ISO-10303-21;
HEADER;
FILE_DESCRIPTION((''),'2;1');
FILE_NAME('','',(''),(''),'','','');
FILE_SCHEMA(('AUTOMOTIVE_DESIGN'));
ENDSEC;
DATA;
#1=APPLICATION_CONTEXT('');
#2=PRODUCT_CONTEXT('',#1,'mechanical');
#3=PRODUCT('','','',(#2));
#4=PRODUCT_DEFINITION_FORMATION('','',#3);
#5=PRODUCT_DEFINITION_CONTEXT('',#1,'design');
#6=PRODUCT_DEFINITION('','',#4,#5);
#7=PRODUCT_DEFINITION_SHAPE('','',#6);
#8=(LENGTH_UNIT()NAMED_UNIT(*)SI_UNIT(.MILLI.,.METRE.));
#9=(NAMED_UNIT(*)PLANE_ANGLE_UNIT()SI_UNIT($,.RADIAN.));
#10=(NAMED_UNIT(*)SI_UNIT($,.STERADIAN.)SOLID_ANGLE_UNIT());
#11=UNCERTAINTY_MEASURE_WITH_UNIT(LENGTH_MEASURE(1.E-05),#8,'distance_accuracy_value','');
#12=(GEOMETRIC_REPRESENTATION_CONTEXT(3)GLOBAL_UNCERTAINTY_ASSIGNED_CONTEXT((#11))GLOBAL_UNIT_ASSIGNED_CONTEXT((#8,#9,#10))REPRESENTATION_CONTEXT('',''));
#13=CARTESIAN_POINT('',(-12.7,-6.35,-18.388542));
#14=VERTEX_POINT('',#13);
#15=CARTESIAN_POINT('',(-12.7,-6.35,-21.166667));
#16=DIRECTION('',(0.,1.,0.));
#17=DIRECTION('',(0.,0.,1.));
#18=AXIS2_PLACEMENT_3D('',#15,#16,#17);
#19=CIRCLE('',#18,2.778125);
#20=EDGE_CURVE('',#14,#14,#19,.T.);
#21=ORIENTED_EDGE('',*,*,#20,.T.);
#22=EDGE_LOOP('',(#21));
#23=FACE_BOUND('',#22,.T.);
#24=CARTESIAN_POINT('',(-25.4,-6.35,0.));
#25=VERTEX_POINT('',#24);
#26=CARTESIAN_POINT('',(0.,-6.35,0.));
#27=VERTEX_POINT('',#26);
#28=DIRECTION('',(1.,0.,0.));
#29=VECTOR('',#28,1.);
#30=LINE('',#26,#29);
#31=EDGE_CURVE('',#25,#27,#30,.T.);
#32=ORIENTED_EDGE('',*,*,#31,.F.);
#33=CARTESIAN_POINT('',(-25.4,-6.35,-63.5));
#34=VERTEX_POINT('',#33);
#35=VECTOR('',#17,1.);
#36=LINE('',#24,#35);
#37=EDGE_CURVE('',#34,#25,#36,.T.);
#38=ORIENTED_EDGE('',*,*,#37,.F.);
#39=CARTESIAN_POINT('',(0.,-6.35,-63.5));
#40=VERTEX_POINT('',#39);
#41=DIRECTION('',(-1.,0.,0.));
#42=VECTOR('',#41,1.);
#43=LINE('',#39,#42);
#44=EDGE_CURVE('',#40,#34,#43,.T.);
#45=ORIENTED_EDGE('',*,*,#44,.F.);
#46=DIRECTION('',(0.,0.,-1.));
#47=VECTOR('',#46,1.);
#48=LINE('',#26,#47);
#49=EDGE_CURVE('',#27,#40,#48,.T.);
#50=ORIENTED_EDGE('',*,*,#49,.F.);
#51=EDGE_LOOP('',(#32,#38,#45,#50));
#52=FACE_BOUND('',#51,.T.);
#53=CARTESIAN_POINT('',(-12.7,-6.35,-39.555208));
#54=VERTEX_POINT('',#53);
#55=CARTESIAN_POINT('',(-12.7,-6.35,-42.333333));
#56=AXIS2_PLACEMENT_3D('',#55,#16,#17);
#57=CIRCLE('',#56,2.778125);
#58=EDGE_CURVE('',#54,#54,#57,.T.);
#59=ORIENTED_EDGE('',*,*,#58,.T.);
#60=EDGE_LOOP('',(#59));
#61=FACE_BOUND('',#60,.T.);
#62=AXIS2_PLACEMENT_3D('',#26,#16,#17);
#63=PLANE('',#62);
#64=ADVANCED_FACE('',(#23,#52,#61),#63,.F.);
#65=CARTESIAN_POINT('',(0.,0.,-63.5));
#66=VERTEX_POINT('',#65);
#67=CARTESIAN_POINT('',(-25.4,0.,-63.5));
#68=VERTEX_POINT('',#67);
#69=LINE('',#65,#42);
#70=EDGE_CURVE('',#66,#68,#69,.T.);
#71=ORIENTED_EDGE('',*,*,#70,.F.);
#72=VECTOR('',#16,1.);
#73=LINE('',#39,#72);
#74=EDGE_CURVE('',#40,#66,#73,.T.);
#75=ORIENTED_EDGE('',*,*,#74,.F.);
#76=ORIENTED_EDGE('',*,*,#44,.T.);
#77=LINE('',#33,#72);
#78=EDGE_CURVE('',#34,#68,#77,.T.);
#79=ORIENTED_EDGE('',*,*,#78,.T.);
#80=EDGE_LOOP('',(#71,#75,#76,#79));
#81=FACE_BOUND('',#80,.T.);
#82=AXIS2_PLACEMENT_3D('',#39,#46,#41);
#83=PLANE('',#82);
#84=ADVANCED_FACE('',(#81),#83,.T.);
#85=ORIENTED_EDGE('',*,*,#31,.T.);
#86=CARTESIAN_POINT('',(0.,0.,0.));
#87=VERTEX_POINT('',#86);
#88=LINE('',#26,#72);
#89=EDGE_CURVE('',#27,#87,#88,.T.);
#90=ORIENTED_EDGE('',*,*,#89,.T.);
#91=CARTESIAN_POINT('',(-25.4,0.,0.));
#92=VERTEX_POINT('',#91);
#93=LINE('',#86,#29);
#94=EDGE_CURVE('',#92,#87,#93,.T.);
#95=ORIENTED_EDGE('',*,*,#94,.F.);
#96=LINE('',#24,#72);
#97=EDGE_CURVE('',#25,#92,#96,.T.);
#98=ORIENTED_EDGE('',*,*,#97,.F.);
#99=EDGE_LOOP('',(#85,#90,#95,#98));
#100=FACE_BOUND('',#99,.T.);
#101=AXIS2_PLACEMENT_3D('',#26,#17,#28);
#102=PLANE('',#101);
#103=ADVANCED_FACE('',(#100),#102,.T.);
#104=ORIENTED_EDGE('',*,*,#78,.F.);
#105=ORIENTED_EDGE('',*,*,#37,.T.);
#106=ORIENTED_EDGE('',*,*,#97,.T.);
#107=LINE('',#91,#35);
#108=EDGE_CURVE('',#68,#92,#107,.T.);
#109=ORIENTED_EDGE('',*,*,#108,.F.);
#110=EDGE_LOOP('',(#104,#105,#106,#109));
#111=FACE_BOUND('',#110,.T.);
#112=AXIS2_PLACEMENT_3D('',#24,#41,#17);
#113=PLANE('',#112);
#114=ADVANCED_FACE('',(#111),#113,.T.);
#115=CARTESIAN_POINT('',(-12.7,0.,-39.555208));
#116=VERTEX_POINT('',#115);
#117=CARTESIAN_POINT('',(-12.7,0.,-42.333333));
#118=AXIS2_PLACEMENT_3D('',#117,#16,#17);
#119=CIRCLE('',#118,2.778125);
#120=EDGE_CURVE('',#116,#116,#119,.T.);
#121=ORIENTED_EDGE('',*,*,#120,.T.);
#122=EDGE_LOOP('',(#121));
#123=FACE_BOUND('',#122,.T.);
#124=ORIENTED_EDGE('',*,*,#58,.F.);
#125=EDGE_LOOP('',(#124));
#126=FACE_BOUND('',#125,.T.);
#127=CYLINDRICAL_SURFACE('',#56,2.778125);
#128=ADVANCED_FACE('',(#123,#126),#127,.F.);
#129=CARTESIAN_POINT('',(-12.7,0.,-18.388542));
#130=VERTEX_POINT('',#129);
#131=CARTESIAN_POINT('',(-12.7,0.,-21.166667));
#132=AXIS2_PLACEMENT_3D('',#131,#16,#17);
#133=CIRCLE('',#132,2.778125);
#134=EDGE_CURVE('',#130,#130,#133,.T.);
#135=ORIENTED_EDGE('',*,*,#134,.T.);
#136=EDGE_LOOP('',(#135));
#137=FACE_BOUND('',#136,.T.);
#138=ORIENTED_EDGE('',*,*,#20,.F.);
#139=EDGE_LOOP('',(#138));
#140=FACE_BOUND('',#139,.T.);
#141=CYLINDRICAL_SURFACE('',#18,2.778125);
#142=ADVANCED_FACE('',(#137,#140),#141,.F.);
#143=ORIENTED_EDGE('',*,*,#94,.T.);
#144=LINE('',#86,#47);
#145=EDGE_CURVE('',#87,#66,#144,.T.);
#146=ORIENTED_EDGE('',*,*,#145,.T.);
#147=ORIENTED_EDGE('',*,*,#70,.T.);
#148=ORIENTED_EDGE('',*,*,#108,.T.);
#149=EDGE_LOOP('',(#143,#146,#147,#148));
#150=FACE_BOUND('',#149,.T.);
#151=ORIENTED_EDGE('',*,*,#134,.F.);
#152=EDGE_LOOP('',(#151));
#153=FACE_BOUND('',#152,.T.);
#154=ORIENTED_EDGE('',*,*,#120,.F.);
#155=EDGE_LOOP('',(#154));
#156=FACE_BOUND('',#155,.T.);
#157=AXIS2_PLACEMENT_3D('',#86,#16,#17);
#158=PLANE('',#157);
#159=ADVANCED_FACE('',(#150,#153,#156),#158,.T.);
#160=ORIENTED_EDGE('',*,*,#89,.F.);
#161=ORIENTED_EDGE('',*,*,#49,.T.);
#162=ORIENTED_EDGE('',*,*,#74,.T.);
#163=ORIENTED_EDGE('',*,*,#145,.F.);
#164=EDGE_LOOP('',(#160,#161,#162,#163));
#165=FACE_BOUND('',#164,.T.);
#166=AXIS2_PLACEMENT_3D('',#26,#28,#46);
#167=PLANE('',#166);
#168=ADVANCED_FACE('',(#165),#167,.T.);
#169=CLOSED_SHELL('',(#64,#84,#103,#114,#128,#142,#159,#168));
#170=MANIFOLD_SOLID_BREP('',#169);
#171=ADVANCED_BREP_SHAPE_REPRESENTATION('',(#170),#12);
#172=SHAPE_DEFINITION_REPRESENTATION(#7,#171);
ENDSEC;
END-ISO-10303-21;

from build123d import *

# Parameters (mm, degrees)
SKETCH1_W           = 25.4
SKETCH1_H           = 63.5
BOSS_EXTRUDE2_DEPTH = 6.35
SKETCH3_R           = 2.778125
CUT_EXTRUDE1_DEPTH  = 69.685751798


with BuildPart() as part:
    # Sketch1 → Boss-Extrude2 (new body)
    with BuildSketch(Plane(origin=(0, 0, 0), x_dir=(1, 0, 0), z_dir=(0, 1, 0))):
        with Locations((-12.7, 31.75)):
            Rectangle(SKETCH1_W, SKETCH1_H)
    extrude(amount=-BOSS_EXTRUDE2_DEPTH)

    # Sketch3 → Cut-Extrude1 (cut, through all)
    with BuildSketch(Plane(origin=(0, 0, 0), x_dir=(1, 0, 0), z_dir=(0, 1, 0))):
        with Locations(Location((-12.7, 21.166666667, 0), (0, 0, 270))):
            Circle(SKETCH3_R)
        with Locations(Location((-12.7, 42.333333333, 0), (0, 0, 270))):
            Circle(SKETCH3_R)
    extrude(amount=-CUT_EXTRUDE1_DEPTH, mode=Mode.SUBTRACT)


solid = part.part
